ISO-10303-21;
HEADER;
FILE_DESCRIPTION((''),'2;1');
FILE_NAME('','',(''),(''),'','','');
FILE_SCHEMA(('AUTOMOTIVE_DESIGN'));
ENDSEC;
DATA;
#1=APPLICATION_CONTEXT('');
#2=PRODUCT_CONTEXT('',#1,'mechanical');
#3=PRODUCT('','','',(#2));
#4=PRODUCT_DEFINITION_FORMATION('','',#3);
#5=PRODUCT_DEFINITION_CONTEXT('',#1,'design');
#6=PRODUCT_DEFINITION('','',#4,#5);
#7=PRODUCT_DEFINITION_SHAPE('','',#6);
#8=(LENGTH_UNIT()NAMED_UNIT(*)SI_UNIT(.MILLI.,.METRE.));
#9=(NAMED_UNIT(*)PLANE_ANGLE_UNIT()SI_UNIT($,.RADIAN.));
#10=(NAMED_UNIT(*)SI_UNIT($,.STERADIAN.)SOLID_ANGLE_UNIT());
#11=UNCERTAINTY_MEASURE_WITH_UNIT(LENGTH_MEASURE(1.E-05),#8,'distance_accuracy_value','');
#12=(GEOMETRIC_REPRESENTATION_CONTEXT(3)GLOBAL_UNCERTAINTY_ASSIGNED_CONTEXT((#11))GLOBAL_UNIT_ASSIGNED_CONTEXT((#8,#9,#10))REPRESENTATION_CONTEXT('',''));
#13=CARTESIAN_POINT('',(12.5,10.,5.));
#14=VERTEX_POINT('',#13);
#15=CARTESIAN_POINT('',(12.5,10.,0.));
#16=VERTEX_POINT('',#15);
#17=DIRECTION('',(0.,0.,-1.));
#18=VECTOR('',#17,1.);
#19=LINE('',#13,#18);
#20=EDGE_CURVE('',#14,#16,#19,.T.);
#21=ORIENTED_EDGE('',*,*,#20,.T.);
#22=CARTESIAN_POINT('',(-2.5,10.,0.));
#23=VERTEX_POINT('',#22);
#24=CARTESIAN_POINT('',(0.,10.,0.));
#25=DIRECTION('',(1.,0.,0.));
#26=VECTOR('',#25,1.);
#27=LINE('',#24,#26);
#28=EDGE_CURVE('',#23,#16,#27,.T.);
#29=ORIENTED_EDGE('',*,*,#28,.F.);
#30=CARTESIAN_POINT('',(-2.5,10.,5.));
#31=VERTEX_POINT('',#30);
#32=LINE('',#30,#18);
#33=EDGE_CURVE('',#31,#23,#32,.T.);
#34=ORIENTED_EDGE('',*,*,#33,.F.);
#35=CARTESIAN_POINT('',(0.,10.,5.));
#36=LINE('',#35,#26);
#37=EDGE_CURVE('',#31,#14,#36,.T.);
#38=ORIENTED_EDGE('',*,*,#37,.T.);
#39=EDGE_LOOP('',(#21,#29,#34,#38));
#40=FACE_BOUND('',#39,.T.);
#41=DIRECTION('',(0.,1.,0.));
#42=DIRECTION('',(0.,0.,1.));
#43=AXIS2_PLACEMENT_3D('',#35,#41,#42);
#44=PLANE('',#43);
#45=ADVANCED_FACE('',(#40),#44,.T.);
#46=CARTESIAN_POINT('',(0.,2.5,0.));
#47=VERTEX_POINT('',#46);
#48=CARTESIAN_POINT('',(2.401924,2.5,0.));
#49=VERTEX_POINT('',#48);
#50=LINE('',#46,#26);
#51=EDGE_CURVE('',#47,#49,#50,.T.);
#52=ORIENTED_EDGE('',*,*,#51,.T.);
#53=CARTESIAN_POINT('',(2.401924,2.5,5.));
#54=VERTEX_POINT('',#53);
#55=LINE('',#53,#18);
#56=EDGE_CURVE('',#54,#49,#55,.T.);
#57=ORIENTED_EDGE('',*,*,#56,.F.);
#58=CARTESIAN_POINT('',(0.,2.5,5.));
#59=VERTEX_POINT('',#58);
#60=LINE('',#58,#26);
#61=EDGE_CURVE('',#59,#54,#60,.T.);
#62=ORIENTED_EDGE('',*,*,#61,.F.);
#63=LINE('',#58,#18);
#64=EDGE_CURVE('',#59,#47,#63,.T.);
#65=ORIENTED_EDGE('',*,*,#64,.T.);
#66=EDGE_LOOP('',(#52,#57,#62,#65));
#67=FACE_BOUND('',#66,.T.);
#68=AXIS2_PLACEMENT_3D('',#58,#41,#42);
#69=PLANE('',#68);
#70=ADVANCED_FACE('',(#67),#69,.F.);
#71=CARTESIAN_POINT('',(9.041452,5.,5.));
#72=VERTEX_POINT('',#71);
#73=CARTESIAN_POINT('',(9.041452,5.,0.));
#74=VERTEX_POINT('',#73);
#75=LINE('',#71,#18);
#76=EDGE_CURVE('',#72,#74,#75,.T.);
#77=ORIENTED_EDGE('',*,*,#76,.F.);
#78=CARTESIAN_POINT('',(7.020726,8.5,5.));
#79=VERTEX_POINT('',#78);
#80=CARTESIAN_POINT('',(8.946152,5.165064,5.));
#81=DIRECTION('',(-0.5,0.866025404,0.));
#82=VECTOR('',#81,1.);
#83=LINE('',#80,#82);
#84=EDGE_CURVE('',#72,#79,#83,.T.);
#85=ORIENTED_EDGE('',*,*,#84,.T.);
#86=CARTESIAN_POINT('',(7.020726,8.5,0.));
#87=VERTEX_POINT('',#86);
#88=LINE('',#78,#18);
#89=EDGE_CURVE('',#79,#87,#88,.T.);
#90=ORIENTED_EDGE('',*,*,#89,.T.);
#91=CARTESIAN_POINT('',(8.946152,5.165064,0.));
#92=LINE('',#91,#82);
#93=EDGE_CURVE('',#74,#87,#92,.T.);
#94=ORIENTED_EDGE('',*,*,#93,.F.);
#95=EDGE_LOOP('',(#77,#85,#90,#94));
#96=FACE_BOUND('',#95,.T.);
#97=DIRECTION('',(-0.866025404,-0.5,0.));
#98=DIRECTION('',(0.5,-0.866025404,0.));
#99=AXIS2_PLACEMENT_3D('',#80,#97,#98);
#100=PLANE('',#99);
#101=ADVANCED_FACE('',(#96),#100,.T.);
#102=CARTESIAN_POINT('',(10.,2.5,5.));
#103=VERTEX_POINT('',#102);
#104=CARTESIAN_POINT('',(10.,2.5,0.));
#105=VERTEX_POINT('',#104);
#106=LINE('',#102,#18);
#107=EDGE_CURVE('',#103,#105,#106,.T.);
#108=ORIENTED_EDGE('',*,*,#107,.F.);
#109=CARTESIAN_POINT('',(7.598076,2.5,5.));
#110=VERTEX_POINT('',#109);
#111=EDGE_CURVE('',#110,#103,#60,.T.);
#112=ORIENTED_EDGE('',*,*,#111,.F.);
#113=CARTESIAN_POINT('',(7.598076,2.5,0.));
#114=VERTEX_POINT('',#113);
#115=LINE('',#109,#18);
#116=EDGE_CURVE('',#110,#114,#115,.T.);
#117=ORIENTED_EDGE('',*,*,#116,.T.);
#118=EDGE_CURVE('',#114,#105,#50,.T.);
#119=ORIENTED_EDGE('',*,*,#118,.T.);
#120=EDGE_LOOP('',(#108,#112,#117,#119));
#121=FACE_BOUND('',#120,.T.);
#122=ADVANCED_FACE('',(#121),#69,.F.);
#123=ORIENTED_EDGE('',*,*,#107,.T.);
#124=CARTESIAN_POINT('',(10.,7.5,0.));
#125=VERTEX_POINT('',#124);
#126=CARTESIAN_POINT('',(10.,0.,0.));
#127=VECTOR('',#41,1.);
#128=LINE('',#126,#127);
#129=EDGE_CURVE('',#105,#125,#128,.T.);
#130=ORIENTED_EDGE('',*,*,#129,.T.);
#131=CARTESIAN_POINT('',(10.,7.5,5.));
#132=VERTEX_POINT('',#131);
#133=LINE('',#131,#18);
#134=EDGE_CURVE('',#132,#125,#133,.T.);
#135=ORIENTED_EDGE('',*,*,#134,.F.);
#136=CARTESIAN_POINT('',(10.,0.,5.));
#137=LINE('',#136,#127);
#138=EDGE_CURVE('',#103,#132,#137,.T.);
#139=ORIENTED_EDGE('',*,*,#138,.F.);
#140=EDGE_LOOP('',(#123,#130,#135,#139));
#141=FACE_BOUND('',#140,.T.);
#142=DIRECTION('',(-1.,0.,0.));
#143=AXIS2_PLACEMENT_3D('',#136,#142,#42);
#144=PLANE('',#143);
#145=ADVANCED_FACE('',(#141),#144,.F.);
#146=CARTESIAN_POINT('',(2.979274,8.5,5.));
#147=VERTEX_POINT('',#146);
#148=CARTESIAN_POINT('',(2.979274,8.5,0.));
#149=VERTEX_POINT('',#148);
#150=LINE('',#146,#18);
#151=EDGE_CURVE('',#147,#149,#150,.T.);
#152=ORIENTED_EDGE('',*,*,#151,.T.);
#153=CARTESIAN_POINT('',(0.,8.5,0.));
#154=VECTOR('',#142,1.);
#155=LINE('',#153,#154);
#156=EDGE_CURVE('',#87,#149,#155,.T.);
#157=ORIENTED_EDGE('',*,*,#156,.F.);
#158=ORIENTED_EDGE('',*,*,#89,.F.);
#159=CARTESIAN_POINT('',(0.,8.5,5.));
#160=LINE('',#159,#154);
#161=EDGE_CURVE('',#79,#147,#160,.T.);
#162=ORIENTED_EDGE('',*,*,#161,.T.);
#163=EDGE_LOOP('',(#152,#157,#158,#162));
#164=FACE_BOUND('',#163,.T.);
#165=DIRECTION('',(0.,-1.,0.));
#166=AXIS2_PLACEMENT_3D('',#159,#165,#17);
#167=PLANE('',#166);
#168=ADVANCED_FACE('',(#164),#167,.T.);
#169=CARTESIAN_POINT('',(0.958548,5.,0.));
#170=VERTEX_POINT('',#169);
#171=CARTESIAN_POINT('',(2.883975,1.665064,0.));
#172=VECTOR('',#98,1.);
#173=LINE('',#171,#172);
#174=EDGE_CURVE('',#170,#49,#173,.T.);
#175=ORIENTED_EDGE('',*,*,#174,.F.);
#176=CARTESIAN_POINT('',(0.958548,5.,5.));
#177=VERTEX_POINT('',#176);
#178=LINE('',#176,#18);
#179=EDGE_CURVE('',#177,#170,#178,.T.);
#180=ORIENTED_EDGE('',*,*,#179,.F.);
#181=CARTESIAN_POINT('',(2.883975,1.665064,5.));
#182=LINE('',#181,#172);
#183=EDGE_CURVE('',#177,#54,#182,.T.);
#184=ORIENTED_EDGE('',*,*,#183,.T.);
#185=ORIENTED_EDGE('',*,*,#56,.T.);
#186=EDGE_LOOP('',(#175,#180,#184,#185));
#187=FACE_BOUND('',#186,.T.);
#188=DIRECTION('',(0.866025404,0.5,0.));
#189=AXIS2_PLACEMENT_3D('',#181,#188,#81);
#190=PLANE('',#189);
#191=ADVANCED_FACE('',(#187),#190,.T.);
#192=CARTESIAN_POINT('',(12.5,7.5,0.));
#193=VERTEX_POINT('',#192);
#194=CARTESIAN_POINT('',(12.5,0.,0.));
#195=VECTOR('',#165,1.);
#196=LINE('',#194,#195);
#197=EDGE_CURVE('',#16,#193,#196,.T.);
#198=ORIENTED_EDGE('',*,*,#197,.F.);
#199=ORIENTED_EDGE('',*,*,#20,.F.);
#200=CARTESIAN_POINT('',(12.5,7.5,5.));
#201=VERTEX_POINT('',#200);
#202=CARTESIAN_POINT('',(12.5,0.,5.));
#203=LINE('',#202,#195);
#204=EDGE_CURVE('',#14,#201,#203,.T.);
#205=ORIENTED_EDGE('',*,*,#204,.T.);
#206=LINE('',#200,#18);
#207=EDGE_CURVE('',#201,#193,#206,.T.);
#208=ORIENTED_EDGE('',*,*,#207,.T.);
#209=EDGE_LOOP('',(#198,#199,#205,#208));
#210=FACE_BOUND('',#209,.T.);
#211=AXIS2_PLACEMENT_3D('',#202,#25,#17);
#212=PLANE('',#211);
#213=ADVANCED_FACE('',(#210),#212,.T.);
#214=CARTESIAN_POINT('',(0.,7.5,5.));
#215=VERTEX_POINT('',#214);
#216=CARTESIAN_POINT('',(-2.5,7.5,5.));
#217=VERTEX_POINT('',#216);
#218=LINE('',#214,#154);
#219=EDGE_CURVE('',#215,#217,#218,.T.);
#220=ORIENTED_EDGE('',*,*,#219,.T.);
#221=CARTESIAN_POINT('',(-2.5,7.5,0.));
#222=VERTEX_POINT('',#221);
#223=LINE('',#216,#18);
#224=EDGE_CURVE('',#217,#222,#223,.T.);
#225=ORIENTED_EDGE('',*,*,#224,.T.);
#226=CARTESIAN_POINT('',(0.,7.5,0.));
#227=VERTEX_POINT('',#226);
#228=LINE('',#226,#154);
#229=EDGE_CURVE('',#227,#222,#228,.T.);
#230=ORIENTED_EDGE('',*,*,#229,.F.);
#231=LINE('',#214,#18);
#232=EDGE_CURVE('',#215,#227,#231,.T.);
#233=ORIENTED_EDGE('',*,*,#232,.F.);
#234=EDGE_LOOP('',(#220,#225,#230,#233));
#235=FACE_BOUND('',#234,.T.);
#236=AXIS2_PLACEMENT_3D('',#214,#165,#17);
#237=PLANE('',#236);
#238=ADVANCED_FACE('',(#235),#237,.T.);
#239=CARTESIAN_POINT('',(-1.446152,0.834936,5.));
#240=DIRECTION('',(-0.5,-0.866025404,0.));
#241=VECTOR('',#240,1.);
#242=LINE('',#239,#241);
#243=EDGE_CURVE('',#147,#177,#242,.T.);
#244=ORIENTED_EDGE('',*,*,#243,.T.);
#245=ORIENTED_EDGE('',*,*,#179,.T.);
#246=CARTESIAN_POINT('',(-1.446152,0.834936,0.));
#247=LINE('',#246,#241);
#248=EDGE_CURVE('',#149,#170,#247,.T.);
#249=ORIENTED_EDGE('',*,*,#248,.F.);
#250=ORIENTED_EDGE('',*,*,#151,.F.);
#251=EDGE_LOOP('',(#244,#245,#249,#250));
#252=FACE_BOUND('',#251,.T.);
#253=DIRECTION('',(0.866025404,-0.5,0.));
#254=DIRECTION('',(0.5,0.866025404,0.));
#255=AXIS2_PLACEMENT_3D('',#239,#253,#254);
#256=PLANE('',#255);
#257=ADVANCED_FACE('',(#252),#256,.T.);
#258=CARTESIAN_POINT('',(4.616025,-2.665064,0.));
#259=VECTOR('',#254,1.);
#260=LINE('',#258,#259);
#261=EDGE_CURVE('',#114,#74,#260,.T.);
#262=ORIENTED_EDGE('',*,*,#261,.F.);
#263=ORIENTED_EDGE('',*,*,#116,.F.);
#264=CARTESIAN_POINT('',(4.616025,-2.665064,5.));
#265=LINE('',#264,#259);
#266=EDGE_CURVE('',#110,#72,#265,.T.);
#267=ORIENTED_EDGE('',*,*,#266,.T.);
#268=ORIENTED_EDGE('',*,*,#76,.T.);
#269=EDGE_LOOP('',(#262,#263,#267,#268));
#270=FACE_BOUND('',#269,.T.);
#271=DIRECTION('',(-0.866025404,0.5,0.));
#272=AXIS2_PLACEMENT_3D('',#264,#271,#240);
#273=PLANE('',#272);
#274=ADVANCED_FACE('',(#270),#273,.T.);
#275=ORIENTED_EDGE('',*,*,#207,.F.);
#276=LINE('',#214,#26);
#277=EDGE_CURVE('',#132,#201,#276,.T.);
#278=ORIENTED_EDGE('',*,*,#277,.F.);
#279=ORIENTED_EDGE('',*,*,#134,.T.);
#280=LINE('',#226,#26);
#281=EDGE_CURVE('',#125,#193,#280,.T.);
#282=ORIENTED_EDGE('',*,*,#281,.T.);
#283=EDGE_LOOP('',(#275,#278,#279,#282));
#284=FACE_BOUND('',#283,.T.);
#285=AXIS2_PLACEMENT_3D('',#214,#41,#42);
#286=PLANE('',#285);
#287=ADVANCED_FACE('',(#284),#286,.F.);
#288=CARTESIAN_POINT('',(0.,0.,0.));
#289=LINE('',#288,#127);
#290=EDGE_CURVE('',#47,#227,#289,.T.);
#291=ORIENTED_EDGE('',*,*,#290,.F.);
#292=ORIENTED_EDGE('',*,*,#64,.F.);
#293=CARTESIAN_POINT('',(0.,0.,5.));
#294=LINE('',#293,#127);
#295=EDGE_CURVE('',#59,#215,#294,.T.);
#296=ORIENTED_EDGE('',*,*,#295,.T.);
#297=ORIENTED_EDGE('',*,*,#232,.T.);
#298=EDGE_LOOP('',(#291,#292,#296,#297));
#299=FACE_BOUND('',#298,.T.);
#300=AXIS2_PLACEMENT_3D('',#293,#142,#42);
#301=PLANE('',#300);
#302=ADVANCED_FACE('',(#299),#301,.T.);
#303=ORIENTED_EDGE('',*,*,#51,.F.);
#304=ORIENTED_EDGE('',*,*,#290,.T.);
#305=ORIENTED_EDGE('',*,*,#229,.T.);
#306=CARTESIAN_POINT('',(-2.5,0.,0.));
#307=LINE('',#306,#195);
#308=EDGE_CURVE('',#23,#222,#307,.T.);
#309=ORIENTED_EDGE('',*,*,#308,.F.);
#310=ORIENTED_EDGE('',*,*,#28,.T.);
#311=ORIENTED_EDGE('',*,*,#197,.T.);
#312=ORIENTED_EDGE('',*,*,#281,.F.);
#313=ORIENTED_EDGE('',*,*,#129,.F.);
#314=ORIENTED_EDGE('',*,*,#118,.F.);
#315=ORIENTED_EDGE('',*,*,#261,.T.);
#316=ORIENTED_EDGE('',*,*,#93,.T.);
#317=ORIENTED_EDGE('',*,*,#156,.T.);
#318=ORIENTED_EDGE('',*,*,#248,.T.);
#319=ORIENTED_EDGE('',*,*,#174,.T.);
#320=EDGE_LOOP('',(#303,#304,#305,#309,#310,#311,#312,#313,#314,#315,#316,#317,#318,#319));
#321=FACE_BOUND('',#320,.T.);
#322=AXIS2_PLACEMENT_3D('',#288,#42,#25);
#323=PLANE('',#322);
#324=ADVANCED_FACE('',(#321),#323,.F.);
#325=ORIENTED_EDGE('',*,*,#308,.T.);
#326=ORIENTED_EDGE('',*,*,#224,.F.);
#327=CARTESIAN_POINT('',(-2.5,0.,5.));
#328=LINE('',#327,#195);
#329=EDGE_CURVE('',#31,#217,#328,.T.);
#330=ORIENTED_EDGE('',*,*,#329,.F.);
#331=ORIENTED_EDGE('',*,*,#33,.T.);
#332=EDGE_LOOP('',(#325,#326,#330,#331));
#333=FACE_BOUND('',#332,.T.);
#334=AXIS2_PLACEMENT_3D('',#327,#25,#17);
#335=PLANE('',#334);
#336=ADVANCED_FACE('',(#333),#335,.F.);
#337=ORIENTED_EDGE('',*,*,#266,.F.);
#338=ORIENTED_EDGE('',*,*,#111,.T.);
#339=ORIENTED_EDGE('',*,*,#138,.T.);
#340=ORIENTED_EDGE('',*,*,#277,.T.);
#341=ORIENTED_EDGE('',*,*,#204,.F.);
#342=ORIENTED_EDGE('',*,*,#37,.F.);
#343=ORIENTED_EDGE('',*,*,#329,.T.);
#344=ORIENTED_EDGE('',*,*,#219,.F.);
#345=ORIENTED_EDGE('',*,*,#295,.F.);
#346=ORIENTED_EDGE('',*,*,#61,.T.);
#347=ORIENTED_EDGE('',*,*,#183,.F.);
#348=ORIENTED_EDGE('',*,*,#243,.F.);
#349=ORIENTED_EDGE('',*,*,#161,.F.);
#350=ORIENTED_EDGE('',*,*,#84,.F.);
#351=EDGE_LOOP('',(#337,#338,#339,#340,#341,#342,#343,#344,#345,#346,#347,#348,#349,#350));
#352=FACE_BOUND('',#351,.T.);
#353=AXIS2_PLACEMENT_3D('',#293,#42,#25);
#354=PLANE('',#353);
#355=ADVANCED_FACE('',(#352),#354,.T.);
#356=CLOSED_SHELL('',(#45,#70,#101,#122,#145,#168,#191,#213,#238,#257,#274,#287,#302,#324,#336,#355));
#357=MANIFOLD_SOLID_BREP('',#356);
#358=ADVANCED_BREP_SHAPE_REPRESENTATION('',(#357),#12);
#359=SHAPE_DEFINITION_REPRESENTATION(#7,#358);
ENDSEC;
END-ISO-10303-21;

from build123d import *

# Parameters (mm, degrees)
BOSS_EXTRUDE1_DEPTH = 5


with BuildPart() as part:
    # Sketch1 → Boss-Extrude1 (new body)
    with BuildSketch(Plane.XY):
        Polygon((0, 7.5), (0, 2.5), (2.401923789, 2.5), (0.958548116, 5), (2.979274058, 8.5), (7.020725942, 8.5), (9.041451884, 5), (7.598076211, 2.5), (10, 2.5), (10, 7.5), (12.5, 7.5), (12.5, 10), (-2.5, 10), (-2.5, 7.5), align=None)
    extrude(amount=BOSS_EXTRUDE1_DEPTH)


solid = part.part
